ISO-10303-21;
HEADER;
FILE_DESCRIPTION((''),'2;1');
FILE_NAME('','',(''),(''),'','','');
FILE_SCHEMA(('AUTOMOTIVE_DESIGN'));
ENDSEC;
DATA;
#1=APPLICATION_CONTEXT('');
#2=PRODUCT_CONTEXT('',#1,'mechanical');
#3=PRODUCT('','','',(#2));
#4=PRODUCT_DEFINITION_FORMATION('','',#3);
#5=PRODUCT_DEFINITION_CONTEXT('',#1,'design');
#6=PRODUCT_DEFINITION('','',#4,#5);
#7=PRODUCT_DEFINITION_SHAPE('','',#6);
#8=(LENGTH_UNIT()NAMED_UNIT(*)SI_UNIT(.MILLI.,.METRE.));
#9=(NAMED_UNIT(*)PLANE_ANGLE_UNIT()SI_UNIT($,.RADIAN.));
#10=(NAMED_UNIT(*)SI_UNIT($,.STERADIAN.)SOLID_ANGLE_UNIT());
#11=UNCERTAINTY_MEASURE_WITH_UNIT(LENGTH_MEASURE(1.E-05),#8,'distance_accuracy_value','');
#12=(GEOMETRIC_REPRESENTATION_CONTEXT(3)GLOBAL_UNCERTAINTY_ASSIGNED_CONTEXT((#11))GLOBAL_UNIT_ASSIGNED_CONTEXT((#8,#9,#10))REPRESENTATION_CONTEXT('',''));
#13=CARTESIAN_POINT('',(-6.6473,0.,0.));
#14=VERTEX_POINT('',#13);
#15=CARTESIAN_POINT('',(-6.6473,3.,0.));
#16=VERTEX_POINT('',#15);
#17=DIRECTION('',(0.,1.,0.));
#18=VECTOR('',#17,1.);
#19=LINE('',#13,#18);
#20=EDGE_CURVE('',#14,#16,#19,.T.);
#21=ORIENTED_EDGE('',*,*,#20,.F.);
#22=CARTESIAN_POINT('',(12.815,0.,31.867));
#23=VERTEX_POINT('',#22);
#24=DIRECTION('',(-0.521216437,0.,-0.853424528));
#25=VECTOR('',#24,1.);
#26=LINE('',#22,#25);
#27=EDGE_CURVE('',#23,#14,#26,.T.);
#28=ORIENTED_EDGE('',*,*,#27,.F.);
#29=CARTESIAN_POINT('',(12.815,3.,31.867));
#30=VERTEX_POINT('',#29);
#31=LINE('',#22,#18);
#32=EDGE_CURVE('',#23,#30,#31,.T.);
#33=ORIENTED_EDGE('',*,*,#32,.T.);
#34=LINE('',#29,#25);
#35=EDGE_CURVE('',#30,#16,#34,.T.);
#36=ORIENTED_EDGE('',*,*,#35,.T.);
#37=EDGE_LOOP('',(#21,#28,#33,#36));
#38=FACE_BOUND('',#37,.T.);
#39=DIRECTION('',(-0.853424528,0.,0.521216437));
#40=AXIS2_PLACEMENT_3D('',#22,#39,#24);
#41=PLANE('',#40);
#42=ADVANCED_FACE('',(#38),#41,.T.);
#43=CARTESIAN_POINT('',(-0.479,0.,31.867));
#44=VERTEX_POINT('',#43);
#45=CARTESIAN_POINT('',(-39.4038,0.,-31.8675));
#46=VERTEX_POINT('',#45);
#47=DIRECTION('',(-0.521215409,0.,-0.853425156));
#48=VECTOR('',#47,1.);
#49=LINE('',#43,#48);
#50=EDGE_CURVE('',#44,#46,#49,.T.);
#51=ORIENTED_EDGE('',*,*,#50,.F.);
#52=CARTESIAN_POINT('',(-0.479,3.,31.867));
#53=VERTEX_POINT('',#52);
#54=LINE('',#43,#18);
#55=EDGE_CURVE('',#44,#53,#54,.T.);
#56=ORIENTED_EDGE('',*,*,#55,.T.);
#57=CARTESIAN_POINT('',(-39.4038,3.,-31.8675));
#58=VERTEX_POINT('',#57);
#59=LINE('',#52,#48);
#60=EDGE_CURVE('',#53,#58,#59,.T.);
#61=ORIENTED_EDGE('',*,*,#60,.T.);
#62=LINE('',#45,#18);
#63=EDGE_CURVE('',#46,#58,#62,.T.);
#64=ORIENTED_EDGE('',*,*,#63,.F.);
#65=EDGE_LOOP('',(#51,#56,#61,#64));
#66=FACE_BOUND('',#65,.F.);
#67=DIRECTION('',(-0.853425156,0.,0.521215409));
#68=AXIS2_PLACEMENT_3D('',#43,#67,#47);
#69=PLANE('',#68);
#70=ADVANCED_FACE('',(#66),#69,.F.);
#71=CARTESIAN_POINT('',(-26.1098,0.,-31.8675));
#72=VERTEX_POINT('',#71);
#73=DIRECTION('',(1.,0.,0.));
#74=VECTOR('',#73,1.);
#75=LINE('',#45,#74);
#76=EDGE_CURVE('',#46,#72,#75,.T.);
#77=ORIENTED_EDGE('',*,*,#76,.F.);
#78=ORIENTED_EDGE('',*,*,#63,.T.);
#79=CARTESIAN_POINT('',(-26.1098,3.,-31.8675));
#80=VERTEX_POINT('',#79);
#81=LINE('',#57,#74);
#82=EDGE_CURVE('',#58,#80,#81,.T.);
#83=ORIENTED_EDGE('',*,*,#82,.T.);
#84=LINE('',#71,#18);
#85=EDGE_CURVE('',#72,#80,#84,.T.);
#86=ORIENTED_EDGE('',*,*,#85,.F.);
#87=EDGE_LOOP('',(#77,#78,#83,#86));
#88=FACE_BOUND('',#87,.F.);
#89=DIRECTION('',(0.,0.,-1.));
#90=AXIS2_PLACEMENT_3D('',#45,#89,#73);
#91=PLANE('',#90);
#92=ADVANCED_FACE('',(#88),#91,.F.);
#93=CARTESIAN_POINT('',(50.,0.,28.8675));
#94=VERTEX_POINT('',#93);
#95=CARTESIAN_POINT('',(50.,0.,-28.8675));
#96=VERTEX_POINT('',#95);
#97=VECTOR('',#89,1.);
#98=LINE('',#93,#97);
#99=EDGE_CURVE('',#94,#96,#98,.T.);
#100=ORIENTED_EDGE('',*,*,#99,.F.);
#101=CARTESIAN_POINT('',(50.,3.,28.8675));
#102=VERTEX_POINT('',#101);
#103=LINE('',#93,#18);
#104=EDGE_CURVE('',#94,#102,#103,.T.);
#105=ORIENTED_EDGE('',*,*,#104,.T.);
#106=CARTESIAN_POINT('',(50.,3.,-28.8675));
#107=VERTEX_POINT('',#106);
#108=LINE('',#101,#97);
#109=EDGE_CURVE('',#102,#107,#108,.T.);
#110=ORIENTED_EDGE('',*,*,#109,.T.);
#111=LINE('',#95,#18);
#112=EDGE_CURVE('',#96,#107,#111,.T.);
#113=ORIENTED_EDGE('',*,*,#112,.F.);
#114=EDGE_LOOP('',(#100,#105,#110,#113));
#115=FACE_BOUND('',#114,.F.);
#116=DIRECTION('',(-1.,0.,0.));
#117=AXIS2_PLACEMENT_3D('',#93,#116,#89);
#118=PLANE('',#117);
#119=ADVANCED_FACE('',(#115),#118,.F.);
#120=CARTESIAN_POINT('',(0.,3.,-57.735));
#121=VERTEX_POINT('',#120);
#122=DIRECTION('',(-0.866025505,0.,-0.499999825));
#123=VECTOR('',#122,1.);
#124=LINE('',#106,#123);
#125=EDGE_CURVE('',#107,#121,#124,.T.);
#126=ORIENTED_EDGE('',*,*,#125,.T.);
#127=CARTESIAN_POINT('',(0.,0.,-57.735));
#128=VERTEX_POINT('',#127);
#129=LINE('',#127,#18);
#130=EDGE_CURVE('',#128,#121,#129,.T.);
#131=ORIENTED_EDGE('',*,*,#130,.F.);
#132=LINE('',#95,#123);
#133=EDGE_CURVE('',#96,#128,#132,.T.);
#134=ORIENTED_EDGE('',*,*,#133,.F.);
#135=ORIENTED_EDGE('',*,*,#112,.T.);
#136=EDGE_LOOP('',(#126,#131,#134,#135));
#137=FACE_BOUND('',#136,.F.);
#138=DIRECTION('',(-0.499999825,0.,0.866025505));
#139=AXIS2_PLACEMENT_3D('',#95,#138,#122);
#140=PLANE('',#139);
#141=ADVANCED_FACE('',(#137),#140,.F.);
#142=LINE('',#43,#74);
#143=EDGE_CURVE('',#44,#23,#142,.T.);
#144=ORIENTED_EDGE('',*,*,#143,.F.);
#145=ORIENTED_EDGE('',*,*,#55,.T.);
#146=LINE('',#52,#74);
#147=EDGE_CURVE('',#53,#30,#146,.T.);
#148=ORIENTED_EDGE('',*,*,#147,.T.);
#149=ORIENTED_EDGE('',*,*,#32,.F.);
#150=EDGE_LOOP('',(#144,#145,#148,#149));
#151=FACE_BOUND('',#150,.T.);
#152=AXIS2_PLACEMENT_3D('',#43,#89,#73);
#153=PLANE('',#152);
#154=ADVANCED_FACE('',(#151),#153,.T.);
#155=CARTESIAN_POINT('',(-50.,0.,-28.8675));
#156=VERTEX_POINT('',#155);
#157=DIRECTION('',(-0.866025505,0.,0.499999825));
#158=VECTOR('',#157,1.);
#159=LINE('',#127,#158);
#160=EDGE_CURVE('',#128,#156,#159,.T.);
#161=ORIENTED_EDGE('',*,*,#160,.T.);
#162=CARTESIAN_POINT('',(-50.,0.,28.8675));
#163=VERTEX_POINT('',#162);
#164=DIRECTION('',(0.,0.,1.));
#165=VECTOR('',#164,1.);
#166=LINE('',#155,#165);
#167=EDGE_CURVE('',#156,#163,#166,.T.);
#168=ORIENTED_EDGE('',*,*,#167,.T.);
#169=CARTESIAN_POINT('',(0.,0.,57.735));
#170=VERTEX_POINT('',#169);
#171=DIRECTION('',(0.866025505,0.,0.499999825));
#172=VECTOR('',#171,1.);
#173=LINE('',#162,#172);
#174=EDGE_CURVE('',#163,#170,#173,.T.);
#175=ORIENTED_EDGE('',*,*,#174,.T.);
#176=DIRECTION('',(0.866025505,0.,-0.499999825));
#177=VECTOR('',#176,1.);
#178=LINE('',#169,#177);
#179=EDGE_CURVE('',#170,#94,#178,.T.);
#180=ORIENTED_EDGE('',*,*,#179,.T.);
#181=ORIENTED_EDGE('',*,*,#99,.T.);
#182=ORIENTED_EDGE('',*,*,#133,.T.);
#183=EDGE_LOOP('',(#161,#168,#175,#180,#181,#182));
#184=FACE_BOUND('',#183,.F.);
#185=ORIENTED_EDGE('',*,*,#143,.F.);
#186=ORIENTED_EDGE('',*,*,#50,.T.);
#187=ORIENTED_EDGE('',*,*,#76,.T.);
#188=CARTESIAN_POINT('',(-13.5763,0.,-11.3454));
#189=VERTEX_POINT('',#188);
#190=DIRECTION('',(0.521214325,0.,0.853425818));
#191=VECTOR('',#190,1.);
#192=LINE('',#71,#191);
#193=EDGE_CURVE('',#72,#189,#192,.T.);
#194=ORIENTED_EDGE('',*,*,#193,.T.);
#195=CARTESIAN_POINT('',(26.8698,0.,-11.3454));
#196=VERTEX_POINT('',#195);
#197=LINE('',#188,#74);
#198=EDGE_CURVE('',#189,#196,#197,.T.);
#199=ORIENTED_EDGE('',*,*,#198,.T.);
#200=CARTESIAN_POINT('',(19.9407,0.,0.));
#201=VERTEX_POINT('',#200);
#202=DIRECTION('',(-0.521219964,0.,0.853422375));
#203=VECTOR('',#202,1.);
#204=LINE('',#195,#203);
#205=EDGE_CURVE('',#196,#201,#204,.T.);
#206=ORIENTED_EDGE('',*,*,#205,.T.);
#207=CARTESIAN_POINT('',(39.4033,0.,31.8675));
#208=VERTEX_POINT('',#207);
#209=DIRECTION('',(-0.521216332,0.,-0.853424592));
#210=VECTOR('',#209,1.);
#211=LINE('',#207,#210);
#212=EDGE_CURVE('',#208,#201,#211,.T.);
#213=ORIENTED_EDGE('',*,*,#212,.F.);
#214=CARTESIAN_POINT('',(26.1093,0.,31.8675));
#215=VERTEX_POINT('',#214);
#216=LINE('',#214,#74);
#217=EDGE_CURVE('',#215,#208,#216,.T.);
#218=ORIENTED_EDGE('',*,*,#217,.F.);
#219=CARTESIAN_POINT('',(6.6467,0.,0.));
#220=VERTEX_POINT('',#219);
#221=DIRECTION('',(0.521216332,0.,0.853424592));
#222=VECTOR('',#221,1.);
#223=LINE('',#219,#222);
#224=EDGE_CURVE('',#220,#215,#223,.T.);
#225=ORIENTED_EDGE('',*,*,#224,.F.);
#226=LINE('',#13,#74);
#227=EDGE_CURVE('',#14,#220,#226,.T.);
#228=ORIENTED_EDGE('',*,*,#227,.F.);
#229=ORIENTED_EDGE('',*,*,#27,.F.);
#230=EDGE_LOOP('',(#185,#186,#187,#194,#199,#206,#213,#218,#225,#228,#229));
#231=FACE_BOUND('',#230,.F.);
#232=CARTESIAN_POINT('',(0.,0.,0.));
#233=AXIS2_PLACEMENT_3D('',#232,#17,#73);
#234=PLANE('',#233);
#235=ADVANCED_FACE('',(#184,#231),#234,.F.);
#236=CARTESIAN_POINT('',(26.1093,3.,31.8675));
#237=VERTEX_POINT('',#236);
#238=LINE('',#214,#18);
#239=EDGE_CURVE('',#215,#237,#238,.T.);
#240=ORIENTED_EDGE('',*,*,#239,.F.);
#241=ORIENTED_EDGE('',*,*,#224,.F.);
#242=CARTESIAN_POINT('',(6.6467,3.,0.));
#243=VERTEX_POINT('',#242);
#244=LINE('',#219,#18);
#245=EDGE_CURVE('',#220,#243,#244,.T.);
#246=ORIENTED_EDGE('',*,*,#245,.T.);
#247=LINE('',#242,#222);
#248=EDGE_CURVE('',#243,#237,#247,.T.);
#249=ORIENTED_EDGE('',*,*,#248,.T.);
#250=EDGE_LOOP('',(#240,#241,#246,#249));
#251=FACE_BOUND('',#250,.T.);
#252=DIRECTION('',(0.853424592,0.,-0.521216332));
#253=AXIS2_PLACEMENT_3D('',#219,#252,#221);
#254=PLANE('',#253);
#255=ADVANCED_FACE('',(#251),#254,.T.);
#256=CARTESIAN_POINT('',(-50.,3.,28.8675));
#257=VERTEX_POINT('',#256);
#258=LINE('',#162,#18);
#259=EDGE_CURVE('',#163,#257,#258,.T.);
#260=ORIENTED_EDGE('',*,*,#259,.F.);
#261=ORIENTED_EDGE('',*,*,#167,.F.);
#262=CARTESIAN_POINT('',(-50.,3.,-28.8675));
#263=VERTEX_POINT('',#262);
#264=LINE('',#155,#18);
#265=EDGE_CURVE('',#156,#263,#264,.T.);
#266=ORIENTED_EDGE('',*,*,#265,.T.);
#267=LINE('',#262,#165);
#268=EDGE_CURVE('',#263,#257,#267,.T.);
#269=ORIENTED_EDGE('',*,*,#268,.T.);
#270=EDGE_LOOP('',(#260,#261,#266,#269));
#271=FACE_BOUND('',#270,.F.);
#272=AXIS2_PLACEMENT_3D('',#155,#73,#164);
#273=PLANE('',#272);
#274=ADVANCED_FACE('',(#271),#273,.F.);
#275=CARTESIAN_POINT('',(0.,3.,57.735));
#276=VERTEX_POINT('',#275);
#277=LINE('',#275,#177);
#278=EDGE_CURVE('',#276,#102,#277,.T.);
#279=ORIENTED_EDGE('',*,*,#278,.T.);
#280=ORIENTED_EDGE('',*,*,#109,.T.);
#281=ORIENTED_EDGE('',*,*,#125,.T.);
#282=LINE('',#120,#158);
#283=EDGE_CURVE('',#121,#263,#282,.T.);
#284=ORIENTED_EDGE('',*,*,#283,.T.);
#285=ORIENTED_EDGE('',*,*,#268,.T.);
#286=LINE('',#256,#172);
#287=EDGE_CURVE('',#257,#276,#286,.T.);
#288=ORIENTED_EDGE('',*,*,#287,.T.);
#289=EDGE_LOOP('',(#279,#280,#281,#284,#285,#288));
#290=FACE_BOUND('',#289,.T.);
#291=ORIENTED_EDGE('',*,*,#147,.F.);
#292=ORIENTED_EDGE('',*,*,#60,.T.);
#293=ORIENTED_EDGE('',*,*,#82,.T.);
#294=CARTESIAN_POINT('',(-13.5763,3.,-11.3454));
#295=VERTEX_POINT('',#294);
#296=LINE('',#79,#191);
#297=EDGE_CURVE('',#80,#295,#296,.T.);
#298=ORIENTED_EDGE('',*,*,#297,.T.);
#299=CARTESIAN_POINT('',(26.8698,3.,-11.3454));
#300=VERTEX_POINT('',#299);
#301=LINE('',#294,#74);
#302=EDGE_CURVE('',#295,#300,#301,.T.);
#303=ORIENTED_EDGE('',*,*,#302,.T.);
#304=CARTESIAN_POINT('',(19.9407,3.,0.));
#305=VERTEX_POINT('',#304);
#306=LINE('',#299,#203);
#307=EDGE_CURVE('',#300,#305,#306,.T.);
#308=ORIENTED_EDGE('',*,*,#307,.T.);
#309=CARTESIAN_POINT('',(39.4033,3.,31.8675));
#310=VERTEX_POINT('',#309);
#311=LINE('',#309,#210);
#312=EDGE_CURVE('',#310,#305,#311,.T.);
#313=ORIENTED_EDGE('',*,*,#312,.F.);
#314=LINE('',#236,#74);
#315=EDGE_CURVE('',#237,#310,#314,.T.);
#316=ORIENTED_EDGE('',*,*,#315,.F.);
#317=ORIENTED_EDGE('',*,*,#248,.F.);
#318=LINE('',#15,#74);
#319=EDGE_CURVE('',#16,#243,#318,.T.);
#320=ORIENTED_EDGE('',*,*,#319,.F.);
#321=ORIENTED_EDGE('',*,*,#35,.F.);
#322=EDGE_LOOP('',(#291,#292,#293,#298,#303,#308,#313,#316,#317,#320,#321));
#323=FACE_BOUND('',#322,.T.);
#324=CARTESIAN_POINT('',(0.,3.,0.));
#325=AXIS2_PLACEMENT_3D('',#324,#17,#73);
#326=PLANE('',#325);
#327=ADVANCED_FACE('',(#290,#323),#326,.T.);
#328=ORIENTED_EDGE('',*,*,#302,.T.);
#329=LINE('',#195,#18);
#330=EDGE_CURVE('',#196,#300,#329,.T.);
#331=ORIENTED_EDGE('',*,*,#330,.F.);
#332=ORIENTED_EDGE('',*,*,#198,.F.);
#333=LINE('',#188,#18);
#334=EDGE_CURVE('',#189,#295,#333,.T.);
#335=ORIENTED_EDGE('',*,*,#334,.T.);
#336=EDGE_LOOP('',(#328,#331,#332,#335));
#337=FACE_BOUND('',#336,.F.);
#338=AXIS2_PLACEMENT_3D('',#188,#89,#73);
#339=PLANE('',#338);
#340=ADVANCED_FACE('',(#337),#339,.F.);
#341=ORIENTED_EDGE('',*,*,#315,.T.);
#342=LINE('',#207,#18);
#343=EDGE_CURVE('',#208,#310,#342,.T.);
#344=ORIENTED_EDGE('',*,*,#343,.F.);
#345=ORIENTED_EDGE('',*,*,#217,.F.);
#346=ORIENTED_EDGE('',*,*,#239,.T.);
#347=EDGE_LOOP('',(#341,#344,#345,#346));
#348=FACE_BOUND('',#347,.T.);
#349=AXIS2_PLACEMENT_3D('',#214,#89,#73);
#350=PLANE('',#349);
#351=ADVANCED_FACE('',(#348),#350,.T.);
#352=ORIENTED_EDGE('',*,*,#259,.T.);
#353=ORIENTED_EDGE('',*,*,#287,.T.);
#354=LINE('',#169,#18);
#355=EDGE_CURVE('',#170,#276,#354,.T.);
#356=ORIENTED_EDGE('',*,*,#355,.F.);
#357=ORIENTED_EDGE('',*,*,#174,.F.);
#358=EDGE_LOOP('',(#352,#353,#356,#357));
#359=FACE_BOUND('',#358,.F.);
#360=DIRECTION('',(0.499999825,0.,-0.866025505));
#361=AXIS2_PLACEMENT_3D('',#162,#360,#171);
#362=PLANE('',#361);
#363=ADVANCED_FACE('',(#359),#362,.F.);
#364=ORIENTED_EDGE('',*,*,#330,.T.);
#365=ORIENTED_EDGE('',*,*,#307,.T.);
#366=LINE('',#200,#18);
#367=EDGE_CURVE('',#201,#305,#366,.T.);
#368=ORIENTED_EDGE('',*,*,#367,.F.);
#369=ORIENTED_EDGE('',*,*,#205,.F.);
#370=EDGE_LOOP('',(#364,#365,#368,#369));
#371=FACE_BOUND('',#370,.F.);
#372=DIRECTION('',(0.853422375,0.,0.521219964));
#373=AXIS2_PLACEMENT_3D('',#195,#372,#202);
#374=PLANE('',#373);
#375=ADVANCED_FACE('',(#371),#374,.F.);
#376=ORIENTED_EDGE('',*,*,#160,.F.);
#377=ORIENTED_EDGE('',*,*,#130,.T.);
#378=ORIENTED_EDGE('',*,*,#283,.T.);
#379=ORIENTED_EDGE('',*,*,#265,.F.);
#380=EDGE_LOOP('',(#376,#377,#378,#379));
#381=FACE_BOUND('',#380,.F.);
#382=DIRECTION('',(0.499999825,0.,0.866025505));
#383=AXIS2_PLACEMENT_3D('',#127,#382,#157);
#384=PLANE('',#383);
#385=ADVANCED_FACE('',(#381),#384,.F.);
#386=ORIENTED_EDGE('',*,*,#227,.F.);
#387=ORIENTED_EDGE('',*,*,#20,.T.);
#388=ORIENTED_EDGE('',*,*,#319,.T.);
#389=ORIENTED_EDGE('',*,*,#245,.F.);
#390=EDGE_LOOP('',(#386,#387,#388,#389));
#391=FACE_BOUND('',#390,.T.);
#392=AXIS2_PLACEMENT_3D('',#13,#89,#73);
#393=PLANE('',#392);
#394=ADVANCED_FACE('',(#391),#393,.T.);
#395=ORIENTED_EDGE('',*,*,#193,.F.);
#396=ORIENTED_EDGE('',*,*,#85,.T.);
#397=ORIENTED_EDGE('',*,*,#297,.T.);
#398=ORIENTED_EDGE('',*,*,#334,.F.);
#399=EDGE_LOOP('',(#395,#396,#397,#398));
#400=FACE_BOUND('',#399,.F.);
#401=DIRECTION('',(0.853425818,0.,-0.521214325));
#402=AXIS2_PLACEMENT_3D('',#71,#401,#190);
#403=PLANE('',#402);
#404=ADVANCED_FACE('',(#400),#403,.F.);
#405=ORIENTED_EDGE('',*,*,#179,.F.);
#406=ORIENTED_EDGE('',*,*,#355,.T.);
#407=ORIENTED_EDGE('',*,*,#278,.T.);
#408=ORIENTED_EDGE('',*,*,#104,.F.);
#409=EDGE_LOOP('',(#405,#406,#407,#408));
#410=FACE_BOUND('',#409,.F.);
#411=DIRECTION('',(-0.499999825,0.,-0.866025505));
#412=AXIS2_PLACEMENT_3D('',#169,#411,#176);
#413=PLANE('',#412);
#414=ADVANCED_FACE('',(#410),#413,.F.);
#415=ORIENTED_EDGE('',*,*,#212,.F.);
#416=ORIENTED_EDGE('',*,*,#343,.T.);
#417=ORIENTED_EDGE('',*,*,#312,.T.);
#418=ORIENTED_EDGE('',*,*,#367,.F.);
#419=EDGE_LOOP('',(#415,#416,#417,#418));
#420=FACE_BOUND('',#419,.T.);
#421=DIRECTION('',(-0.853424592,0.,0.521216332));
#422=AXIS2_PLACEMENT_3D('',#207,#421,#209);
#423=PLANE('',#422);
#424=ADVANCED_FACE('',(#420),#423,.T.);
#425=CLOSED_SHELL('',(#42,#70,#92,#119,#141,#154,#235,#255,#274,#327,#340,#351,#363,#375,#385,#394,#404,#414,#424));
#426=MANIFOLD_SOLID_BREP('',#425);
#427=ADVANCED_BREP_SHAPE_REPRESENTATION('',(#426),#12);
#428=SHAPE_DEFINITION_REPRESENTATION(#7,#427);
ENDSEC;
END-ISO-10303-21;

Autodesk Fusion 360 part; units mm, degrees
sketch "Sketch3" plane through (0, 0, 0) normal (0, 1, 0) x (1, 0, 0)
  line L0 (50, 28.8675) -> (0, 57.735)
  line L1 (0, 57.735) -> (-50, 28.8675)
  line L2 (-50, 28.8675) -> (-50, -28.8675)
  line L3 (-50, -28.8675) -> (0, -57.735)
  line L4 (0, -57.735) -> (50, -28.8675)
  line L5 (50, -28.8675) -> (50, 28.8675)
  line L6 (47.3, 27.3087) -> (0, 54.6173) construction
  line L7 (0, 54.6173) -> (-47.3, 27.3087) construction
  line L8 (-47.3, 27.3087) -> (-47.3, -27.3087) construction
  line L9 (-47.3, -27.3087) -> (0, -54.6173) construction
  line L10 (0, -54.6173) -> (47.3, -27.3087) construction
  line L11 (47.3, -27.3087) -> (47.3, 27.3087) construction
  line L12 (50, -28.8675) -> (-50, -28.8675) construction
  line L13 (0, 0) -> (50, 0) construction
  line L14 (0, -57.735) -> (0, -31.867) construction
  line L15 (0, -31.867) -> (-0.479, -31.867) construction
  line L16 (50, -31.8675) -> (-50, -31.8675) construction
  line L17 (50, 31.8675) -> (-50, 31.8675) construction
  line L18 (-0.479, -31.867) -> (-39.4038, 31.8675)
  line L19 (-0.479, -31.867) -> (12.815, -31.867)
  line L20 (0, 0) -> (-47.3, 0) construction
  line L21 (12.815, -31.867) -> (-6.6473, 0)
  line L22 (-6.6473, 0) -> (6.6467, 0)
  line L23 (6.6467, 0) -> (26.1093, -31.8675)
  line L24 (26.1093, -31.8675) -> (39.4033, -31.8675)
  line L25 (39.4033, -31.8675) -> (19.9407, 0)
  line L26 (-6.6473, 0) -> (-13.5763, 11.3454) construction
  line L27 (-39.4038, 31.8675) -> (-26.1098, 31.8675)
  line L28 (-26.1098, 31.8675) -> (-13.5763, 11.3454)
  line L29 (19.9407, 0) -> (39.4033, -31.8675) construction
  line L30 (39.4033, 31.8675) -> (19.9407, 0) construction
  line L31 (-13.5763, 11.3454) -> (26.8698, 11.3454)
  line L32 (26.8698, 11.3454) -> (19.9407, 0)
  dimension "d2" = 50
  dimension "d9" = 25.868
  dimension "d12" = 0.479
  dimension "d14" = 13.294
extrude "Extrude1" add sketch "Sketch3" along normal blind 3
equation "logoA = 100 mm"
equation "d2 = logoA / 2"
equation "logoB = 0.125 * logoA"
equation "logoC = 0.03 * logoA"
equation "logoD = 0.027 * logoA"
equation "d6 = -logoD"
equation "logoE = 0.25868 * logoA"
equation "d9 = logoE"
equation "d12 = 0.00479 * logoA"
equation "d13 = -logoC"
equation "d14 = 0.13294 * logoA"
